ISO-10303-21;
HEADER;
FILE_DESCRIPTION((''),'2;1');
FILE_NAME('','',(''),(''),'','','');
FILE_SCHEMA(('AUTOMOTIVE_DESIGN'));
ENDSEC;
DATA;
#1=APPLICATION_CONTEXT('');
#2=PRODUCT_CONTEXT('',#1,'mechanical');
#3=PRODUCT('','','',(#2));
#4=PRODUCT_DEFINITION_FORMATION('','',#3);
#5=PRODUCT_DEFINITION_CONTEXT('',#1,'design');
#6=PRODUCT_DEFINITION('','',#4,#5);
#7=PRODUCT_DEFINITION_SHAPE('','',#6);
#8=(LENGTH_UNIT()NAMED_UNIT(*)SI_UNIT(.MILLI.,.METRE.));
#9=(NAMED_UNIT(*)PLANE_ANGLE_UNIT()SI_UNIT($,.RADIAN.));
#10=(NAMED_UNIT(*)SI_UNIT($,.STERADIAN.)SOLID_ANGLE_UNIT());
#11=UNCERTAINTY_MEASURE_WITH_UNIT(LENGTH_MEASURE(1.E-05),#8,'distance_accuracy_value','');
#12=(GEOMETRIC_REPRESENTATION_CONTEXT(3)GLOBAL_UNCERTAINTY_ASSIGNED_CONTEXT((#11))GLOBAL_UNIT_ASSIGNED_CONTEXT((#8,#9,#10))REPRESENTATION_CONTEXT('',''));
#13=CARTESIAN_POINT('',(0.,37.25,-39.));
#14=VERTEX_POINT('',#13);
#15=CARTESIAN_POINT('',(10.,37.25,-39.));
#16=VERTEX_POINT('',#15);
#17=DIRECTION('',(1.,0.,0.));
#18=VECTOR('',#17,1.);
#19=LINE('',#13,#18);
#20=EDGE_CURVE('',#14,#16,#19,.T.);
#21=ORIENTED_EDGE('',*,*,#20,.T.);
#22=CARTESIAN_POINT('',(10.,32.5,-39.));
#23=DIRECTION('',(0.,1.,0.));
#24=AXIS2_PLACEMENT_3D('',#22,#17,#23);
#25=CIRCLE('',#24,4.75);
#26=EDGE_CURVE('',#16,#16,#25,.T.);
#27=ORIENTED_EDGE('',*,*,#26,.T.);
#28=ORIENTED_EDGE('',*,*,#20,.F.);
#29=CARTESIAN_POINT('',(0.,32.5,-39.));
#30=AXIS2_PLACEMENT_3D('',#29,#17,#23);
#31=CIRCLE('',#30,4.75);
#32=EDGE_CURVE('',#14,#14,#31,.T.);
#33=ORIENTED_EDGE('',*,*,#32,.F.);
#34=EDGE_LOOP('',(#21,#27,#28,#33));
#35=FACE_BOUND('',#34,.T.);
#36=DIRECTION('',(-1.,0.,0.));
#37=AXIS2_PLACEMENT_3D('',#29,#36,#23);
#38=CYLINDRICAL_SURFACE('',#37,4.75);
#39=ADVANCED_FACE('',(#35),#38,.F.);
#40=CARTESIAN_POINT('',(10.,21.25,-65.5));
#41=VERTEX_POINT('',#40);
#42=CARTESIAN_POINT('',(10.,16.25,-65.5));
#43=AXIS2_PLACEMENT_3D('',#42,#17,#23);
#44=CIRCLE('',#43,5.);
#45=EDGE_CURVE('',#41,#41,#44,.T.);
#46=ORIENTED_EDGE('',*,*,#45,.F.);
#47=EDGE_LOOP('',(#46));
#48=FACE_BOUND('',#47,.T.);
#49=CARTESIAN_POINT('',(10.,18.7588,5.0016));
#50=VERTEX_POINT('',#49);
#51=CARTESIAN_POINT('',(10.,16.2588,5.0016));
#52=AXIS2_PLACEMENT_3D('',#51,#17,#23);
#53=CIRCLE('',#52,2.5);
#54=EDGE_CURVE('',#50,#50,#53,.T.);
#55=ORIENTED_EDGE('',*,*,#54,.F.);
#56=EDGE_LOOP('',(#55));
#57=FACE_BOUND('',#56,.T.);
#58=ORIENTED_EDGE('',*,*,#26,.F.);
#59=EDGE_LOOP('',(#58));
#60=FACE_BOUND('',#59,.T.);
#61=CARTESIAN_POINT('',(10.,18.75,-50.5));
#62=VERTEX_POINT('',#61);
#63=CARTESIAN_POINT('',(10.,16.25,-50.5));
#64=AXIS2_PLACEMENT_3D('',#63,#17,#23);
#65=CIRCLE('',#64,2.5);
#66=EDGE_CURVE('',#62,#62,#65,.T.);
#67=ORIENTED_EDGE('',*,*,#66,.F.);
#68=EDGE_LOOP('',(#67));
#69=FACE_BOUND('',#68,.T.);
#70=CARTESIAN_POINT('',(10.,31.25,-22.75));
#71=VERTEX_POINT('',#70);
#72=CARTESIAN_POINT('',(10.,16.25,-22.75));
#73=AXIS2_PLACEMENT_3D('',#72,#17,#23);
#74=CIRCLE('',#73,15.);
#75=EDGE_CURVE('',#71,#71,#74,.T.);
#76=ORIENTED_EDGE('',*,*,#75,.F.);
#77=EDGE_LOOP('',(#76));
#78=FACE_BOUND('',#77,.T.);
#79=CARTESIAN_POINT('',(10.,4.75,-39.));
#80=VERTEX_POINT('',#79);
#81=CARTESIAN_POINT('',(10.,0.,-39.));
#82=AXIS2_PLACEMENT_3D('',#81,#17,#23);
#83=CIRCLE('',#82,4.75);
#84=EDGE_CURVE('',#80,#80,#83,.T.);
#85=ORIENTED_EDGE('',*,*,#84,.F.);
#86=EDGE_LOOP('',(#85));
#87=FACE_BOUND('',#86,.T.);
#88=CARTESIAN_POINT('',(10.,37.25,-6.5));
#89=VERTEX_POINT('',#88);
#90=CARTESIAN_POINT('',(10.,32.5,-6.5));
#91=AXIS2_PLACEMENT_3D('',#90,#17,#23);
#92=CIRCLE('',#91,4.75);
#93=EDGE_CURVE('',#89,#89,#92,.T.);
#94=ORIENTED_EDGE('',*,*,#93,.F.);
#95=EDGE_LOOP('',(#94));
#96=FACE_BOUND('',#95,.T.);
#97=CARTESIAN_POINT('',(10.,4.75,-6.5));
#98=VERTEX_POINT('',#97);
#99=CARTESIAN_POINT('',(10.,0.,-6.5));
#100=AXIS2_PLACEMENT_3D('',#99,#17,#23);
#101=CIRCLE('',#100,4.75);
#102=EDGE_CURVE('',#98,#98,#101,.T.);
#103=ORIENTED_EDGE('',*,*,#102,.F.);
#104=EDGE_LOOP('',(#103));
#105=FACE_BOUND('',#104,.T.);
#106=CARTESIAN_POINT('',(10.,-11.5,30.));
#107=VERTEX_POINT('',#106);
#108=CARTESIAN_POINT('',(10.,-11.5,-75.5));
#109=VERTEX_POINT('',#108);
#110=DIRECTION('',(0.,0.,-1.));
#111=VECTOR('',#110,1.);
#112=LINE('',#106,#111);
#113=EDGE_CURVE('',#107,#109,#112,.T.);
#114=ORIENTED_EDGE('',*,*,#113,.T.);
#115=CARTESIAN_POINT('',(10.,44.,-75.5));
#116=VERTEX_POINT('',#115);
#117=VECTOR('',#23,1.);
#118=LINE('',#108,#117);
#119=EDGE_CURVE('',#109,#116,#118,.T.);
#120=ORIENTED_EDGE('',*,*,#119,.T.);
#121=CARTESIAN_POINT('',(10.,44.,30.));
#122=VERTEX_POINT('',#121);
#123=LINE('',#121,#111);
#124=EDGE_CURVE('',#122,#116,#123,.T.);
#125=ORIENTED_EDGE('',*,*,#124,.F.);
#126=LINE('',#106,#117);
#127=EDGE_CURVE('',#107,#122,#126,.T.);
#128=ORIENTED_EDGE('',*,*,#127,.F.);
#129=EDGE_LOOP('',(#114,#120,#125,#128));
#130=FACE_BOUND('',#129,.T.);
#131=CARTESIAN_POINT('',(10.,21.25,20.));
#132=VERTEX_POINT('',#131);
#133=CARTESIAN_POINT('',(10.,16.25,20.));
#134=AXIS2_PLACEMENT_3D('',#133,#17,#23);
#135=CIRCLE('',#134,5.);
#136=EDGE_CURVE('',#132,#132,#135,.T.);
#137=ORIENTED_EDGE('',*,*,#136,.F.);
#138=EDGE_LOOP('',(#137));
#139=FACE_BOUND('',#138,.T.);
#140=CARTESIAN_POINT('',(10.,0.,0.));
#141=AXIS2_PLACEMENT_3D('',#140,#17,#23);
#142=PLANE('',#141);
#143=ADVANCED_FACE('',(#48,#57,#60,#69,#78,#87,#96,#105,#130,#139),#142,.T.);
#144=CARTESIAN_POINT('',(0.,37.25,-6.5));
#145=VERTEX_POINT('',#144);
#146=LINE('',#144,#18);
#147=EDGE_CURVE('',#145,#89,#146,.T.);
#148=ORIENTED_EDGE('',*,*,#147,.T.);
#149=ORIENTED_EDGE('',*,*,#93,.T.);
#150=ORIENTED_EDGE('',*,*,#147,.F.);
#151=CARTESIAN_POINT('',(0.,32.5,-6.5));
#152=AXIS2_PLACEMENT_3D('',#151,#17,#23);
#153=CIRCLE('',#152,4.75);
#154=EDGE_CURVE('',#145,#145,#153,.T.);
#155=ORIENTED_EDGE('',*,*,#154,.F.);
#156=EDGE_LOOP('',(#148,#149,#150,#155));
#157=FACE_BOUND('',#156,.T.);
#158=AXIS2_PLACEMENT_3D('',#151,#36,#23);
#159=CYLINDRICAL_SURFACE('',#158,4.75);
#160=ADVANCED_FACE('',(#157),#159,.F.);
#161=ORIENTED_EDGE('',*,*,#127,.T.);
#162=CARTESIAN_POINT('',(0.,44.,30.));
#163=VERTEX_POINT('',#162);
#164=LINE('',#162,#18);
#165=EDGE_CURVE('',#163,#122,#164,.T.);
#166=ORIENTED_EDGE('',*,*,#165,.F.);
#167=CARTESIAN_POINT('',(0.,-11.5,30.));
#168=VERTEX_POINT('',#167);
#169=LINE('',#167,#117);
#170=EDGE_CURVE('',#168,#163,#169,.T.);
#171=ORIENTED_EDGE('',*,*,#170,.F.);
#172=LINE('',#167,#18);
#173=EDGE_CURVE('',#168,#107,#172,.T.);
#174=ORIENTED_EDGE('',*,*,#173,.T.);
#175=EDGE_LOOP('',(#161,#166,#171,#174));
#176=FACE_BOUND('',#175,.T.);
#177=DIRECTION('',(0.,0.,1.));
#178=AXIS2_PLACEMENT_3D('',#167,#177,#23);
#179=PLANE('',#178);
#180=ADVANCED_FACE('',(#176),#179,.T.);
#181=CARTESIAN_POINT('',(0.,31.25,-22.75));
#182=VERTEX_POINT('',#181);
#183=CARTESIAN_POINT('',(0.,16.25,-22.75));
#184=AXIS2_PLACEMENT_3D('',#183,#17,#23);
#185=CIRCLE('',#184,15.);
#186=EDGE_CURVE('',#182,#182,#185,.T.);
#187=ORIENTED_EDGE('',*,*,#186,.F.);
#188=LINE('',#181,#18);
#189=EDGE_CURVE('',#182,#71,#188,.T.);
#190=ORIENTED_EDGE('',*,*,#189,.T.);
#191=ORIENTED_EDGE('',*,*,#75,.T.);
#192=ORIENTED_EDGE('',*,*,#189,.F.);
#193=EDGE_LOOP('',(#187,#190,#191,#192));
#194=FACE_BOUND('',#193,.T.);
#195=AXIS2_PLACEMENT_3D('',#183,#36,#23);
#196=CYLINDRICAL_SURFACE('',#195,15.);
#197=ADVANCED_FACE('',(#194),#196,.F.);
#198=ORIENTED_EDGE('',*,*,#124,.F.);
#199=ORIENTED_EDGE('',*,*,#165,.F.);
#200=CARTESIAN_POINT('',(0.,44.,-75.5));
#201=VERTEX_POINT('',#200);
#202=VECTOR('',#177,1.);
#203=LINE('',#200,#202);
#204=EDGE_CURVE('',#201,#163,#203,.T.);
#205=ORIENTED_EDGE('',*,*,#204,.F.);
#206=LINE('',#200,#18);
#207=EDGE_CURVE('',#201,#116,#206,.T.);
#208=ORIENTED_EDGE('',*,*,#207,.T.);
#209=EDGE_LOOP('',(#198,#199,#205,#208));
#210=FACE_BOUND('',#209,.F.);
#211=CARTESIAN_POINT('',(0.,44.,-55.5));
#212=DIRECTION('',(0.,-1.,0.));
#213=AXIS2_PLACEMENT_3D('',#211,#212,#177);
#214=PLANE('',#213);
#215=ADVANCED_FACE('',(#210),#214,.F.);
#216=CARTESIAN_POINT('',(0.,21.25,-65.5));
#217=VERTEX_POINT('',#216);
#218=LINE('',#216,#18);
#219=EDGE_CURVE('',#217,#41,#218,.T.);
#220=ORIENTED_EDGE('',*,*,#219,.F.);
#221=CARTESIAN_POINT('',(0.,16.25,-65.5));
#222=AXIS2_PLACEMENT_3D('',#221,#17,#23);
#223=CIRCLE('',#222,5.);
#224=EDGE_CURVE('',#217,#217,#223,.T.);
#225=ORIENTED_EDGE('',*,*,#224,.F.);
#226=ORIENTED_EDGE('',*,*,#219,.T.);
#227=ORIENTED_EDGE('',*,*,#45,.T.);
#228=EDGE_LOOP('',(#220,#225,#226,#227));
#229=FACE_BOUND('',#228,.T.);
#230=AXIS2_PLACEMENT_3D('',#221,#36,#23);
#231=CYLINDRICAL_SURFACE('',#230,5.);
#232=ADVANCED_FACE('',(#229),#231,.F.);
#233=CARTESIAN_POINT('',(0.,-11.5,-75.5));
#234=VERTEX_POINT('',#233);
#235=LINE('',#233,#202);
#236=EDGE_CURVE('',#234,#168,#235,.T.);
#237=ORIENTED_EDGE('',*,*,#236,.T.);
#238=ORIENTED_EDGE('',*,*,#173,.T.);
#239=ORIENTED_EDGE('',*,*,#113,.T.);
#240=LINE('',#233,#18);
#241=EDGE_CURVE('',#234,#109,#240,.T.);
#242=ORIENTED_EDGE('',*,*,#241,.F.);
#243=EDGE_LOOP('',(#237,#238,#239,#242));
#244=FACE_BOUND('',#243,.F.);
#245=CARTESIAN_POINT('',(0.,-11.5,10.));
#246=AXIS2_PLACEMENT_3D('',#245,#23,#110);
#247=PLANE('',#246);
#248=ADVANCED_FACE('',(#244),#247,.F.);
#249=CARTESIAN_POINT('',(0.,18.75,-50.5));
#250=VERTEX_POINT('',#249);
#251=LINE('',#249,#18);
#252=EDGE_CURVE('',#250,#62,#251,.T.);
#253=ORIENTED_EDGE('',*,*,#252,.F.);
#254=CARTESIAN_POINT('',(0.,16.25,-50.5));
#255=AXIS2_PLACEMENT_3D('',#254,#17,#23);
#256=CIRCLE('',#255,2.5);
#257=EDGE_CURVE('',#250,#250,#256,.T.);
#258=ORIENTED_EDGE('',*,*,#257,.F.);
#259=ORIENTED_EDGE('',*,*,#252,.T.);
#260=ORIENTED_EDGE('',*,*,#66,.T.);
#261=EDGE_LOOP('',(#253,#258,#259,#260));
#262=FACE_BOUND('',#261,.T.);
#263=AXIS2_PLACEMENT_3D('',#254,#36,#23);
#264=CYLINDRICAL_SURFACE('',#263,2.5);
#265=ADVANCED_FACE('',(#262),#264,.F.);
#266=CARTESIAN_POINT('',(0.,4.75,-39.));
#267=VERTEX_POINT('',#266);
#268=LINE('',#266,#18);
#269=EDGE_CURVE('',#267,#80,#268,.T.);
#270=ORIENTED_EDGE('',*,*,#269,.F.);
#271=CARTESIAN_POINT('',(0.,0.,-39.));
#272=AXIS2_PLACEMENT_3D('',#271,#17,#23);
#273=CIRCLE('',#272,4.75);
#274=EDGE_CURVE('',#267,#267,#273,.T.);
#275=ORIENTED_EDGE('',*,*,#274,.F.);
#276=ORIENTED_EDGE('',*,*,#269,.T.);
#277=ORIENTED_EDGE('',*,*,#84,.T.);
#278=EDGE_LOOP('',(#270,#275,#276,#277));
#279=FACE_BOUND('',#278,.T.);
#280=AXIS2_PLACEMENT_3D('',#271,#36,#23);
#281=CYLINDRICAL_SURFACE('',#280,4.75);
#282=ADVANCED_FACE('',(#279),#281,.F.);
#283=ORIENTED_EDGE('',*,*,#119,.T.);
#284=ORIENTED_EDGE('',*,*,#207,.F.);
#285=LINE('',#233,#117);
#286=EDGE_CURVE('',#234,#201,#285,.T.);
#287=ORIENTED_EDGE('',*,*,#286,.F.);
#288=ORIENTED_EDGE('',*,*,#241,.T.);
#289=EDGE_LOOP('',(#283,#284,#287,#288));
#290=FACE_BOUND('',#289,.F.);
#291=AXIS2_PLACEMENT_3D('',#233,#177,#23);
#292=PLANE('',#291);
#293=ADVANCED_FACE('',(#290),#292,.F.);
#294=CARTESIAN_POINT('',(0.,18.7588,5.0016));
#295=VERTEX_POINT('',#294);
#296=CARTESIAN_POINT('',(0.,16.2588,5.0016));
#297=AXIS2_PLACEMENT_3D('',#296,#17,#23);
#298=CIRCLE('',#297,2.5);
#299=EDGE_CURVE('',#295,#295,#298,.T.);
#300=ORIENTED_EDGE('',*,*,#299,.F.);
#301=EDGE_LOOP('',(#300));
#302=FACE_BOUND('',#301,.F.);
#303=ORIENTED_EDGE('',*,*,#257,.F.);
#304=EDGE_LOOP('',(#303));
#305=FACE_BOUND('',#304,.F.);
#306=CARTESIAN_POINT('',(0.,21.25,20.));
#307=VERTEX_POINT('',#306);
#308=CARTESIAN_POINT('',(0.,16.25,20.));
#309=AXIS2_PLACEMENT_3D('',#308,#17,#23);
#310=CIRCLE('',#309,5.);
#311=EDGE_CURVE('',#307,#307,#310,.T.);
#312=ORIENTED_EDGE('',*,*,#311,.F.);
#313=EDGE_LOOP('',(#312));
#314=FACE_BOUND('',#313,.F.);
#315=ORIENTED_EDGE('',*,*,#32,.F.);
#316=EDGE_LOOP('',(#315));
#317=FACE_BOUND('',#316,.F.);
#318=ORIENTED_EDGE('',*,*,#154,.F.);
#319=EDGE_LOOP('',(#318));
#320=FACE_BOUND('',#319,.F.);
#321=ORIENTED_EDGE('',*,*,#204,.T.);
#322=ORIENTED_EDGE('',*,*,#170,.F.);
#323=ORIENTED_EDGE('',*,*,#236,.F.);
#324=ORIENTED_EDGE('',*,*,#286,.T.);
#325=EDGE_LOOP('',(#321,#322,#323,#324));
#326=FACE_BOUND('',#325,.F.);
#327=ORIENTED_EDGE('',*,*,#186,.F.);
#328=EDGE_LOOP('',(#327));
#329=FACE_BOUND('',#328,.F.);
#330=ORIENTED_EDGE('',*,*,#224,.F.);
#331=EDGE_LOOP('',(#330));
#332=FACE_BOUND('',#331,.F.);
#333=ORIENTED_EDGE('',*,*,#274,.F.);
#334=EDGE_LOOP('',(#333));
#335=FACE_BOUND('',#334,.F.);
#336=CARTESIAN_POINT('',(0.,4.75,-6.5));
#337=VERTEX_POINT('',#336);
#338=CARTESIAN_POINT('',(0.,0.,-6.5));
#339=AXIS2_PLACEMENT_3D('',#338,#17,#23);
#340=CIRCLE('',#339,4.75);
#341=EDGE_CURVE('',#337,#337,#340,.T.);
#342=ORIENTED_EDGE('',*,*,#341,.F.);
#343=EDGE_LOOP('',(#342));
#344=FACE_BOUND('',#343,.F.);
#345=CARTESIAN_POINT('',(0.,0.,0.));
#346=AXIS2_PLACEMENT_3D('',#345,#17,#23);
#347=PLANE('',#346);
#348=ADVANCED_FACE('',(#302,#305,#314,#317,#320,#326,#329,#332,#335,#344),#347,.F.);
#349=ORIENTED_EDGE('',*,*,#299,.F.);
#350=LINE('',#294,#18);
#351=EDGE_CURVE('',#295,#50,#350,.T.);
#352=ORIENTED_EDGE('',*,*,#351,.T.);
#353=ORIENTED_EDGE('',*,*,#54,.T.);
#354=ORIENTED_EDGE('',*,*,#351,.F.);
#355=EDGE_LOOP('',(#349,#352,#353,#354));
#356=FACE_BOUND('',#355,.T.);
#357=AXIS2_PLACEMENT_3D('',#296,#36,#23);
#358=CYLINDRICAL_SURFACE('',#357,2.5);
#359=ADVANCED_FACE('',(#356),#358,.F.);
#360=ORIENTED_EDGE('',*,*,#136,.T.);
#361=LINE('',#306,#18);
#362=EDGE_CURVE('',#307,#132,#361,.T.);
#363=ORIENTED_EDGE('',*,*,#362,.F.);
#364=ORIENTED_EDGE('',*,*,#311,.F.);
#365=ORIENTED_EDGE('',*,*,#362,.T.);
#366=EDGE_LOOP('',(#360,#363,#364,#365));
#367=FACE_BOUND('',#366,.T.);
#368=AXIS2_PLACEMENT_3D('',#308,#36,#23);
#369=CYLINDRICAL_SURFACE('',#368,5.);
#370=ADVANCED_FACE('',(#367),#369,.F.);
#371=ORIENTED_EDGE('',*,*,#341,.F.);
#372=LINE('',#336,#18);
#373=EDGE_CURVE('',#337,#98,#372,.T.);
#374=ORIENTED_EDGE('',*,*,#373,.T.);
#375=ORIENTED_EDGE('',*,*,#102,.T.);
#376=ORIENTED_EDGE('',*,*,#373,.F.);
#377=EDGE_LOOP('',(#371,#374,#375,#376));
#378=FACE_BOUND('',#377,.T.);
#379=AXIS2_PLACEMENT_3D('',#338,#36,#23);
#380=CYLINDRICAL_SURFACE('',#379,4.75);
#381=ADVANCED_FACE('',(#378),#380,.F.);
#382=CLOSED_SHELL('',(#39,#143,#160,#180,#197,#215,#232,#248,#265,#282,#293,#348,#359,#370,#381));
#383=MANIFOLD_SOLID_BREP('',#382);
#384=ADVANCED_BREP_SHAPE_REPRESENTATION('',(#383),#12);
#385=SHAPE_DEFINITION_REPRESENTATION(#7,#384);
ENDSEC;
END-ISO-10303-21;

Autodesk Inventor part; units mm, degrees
ref_plane "YZ Plane" through (0, 0, 0) normal (1, 0, 0) x (0, 1, 0)
ref_plane "XZ Plane" through (0, 0, 0) normal (0, 1, 0) x (-1, 0, 0)
ref_plane "XY Plane" through (0, 0, 0) normal (0, 0, 1) x (1, 0, 0)
sketch "Sketch1" plane through (0, 0, 0) normal (1, 0, 0) x (0, 1, 0)
  line L0 (-6, -12.5) -> (-6, -12.9)
  arc A0 (-6, -12.9) -> (-5.6, -13.3) centre (-5.6, -12.9) ccw
  line L1 (-5.6, -13.3) -> (-4.9, -13.3)
  arc A1 (-4.9, -13.3) -> (-4.7, -13.1) centre (-4.9, -13.1) ccw
  line L2 (-4.7, -13.1) -> (-4.7, -12.85)
  arc A2 (-4.5, -12.65) -> (-4.7, -12.85) centre (-4.5, -12.85) ccw
  line L3 (-4.5, -12.65) -> (-1.8, -12.65)
  arc A3 (-1.4, -13.05) -> (-1.8, -12.65) centre (-1.8, -13.05) ccw
  line L4 (-1.4, -13.05) -> (-1.4, -18.75)
  line L5 (-1.8, -19.15) -> (-4.5, -19.15)
  arc A4 (-1.8, -19.15) -> (-1.4, -18.75) centre (-1.8, -18.75) ccw
  arc A5 (-4.7, -18.95) -> (-4.5, -19.15) centre (-4.5, -18.95) ccw
  line L6 (-4.7, -18.95) -> (-4.7, -18.7)
  arc A6 (-4.7, -18.7) -> (-4.9, -18.5) centre (-4.9, -18.7) ccw
  line L7 (-4.9, -18.5) -> (-5.6, -18.5)
  arc A7 (-5.6, -18.5) -> (-6, -18.9) centre (-5.6, -18.9) ccw
  line L8 (-6, -18.9) -> (-6, -19.5)
  line L9 (-6.5, -6.5) -> (-6.5, -12.5)
  line L10 (-6.5, -12.5) -> (-2.5, -12.5)
  line L11 (-1.05, -19.5) -> (-6.5, -19.5)
  line L12 (-6.5, -19.5) -> (-6.5, -26)
  line L13 (-6.5, -26) -> (-1.05, -26)
  line L14 (-6, -26) -> (-6, -26.6)
  arc A8 (-6, -26.6) -> (-5.6, -27) centre (-5.6, -26.6) ccw
  line L15 (-5.6, -27) -> (-4.9, -27)
  arc A9 (-4.9, -27) -> (-4.7, -26.8) centre (-4.9, -26.8) ccw
  arc A10 (-4.5, -26.35) -> (-4.7, -26.55) centre (-4.5, -26.55) ccw
  line L16 (-4.7, -26.8) -> (-4.7, -26.55)
  line L17 (-4.5, -26.35) -> (-1.8, -26.35)
  arc A11 (-1.4, -26.75) -> (-1.8, -26.35) centre (-1.8, -26.75) ccw
  line L18 (-1.4, -26.75) -> (-1.4, -32.45)
  arc A12 (-1.8, -32.85) -> (-1.4, -32.45) centre (-1.8, -32.45) ccw
  line L19 (-1.8, -32.85) -> (-4.5, -32.85)
  arc A13 (-4.7, -32.65) -> (-4.5, -32.85) centre (-4.5, -32.65) ccw
  line L20 (-4.7, -32.65) -> (-4.7, -32.4)
  arc A14 (-4.7, -32.4) -> (-4.9, -32.2) centre (-4.9, -32.4) ccw
  line L21 (-4.9, -32.2) -> (-5.6, -32.2)
  arc A15 (-5.6, -32.2) -> (-6, -32.6) centre (-5.6, -32.6) ccw
  line L22 (-6, -32.6) -> (-6, -33)
  line L23 (-2.5, -33) -> (-6.5, -33)
  line L24 (-6.5, -33) -> (-6.5, -39)
  line L25 (32.5, 0) -> (0, 0)
  circle A16 centre (0, -6.5) radius 4.75
  circle A17 centre (32.5, -6.5) radius 4.75
  circle A18 centre (0, -39) radius 4.75
  circle A19 centre (32.5, -39) radius 4.75
  line L26 (39, -26) -> (39, -19.5)
  line L27 (39, -12.5) -> (39, -6.5)
  line L28 (39, -39) -> (39, -33)
  line L29 (26.5, -45.5) -> (32.5, -45.5)
  line L30 (0, -45.5) -> (6, -45.5)
  line L31 (13, -45.5) -> (19.5, -45.5)
  circle A20 centre (16.2588, 5.0016) radius 2.5
  circle A21 centre (16.25, -50.5) radius 2.5
  line L32 (44, 10) -> (-11.5, 10)
  line L33 (-11.5, 10) -> (-11.5, -55.5)
  line L34 (-11.5, -55.5) -> (44, -55.5)
  line L35 (44, -55.5) -> (44, 10)
  line L36 (44, 10) -> (-11.5, 10)
  line L37 (-11.5, 10) -> (-11.5, 30)
  line L38 (-11.5, 30) -> (44, 30)
  line L39 (44, 30) -> (44, 10)
  line L40 (44, -55.5) -> (-11.5, -55.5)
  line L41 (-11.5, -55.5) -> (-11.5, -75.5)
  line L42 (-11.5, -75.5) -> (44, -75.5)
  line L43 (44, -75.5) -> (44, -55.5)
  circle A22 centre (16.25, 20) radius 5
  circle A23 centre (16.25, -65.5) radius 5
  circle A24 centre (16.25, -22.75) radius 15
  circle A25 centre (16.25, -22.75) radius 5
  point P0 (24.75, -17.8425)
  point P1 (-11.5, 10)
  dimension "d0" = 20
  dimension "d1" = 20
  dimension "d2" = 10
  dimension "d3" = 10
extrude "Extrusion2" add sketch "Sketch1" along normal blind 10 contours L35 L34 L33 L32 | L32 L37 L38 L39 | L43 L42 L41 L34
properties part number "PlacaMediaHidráulicos"
